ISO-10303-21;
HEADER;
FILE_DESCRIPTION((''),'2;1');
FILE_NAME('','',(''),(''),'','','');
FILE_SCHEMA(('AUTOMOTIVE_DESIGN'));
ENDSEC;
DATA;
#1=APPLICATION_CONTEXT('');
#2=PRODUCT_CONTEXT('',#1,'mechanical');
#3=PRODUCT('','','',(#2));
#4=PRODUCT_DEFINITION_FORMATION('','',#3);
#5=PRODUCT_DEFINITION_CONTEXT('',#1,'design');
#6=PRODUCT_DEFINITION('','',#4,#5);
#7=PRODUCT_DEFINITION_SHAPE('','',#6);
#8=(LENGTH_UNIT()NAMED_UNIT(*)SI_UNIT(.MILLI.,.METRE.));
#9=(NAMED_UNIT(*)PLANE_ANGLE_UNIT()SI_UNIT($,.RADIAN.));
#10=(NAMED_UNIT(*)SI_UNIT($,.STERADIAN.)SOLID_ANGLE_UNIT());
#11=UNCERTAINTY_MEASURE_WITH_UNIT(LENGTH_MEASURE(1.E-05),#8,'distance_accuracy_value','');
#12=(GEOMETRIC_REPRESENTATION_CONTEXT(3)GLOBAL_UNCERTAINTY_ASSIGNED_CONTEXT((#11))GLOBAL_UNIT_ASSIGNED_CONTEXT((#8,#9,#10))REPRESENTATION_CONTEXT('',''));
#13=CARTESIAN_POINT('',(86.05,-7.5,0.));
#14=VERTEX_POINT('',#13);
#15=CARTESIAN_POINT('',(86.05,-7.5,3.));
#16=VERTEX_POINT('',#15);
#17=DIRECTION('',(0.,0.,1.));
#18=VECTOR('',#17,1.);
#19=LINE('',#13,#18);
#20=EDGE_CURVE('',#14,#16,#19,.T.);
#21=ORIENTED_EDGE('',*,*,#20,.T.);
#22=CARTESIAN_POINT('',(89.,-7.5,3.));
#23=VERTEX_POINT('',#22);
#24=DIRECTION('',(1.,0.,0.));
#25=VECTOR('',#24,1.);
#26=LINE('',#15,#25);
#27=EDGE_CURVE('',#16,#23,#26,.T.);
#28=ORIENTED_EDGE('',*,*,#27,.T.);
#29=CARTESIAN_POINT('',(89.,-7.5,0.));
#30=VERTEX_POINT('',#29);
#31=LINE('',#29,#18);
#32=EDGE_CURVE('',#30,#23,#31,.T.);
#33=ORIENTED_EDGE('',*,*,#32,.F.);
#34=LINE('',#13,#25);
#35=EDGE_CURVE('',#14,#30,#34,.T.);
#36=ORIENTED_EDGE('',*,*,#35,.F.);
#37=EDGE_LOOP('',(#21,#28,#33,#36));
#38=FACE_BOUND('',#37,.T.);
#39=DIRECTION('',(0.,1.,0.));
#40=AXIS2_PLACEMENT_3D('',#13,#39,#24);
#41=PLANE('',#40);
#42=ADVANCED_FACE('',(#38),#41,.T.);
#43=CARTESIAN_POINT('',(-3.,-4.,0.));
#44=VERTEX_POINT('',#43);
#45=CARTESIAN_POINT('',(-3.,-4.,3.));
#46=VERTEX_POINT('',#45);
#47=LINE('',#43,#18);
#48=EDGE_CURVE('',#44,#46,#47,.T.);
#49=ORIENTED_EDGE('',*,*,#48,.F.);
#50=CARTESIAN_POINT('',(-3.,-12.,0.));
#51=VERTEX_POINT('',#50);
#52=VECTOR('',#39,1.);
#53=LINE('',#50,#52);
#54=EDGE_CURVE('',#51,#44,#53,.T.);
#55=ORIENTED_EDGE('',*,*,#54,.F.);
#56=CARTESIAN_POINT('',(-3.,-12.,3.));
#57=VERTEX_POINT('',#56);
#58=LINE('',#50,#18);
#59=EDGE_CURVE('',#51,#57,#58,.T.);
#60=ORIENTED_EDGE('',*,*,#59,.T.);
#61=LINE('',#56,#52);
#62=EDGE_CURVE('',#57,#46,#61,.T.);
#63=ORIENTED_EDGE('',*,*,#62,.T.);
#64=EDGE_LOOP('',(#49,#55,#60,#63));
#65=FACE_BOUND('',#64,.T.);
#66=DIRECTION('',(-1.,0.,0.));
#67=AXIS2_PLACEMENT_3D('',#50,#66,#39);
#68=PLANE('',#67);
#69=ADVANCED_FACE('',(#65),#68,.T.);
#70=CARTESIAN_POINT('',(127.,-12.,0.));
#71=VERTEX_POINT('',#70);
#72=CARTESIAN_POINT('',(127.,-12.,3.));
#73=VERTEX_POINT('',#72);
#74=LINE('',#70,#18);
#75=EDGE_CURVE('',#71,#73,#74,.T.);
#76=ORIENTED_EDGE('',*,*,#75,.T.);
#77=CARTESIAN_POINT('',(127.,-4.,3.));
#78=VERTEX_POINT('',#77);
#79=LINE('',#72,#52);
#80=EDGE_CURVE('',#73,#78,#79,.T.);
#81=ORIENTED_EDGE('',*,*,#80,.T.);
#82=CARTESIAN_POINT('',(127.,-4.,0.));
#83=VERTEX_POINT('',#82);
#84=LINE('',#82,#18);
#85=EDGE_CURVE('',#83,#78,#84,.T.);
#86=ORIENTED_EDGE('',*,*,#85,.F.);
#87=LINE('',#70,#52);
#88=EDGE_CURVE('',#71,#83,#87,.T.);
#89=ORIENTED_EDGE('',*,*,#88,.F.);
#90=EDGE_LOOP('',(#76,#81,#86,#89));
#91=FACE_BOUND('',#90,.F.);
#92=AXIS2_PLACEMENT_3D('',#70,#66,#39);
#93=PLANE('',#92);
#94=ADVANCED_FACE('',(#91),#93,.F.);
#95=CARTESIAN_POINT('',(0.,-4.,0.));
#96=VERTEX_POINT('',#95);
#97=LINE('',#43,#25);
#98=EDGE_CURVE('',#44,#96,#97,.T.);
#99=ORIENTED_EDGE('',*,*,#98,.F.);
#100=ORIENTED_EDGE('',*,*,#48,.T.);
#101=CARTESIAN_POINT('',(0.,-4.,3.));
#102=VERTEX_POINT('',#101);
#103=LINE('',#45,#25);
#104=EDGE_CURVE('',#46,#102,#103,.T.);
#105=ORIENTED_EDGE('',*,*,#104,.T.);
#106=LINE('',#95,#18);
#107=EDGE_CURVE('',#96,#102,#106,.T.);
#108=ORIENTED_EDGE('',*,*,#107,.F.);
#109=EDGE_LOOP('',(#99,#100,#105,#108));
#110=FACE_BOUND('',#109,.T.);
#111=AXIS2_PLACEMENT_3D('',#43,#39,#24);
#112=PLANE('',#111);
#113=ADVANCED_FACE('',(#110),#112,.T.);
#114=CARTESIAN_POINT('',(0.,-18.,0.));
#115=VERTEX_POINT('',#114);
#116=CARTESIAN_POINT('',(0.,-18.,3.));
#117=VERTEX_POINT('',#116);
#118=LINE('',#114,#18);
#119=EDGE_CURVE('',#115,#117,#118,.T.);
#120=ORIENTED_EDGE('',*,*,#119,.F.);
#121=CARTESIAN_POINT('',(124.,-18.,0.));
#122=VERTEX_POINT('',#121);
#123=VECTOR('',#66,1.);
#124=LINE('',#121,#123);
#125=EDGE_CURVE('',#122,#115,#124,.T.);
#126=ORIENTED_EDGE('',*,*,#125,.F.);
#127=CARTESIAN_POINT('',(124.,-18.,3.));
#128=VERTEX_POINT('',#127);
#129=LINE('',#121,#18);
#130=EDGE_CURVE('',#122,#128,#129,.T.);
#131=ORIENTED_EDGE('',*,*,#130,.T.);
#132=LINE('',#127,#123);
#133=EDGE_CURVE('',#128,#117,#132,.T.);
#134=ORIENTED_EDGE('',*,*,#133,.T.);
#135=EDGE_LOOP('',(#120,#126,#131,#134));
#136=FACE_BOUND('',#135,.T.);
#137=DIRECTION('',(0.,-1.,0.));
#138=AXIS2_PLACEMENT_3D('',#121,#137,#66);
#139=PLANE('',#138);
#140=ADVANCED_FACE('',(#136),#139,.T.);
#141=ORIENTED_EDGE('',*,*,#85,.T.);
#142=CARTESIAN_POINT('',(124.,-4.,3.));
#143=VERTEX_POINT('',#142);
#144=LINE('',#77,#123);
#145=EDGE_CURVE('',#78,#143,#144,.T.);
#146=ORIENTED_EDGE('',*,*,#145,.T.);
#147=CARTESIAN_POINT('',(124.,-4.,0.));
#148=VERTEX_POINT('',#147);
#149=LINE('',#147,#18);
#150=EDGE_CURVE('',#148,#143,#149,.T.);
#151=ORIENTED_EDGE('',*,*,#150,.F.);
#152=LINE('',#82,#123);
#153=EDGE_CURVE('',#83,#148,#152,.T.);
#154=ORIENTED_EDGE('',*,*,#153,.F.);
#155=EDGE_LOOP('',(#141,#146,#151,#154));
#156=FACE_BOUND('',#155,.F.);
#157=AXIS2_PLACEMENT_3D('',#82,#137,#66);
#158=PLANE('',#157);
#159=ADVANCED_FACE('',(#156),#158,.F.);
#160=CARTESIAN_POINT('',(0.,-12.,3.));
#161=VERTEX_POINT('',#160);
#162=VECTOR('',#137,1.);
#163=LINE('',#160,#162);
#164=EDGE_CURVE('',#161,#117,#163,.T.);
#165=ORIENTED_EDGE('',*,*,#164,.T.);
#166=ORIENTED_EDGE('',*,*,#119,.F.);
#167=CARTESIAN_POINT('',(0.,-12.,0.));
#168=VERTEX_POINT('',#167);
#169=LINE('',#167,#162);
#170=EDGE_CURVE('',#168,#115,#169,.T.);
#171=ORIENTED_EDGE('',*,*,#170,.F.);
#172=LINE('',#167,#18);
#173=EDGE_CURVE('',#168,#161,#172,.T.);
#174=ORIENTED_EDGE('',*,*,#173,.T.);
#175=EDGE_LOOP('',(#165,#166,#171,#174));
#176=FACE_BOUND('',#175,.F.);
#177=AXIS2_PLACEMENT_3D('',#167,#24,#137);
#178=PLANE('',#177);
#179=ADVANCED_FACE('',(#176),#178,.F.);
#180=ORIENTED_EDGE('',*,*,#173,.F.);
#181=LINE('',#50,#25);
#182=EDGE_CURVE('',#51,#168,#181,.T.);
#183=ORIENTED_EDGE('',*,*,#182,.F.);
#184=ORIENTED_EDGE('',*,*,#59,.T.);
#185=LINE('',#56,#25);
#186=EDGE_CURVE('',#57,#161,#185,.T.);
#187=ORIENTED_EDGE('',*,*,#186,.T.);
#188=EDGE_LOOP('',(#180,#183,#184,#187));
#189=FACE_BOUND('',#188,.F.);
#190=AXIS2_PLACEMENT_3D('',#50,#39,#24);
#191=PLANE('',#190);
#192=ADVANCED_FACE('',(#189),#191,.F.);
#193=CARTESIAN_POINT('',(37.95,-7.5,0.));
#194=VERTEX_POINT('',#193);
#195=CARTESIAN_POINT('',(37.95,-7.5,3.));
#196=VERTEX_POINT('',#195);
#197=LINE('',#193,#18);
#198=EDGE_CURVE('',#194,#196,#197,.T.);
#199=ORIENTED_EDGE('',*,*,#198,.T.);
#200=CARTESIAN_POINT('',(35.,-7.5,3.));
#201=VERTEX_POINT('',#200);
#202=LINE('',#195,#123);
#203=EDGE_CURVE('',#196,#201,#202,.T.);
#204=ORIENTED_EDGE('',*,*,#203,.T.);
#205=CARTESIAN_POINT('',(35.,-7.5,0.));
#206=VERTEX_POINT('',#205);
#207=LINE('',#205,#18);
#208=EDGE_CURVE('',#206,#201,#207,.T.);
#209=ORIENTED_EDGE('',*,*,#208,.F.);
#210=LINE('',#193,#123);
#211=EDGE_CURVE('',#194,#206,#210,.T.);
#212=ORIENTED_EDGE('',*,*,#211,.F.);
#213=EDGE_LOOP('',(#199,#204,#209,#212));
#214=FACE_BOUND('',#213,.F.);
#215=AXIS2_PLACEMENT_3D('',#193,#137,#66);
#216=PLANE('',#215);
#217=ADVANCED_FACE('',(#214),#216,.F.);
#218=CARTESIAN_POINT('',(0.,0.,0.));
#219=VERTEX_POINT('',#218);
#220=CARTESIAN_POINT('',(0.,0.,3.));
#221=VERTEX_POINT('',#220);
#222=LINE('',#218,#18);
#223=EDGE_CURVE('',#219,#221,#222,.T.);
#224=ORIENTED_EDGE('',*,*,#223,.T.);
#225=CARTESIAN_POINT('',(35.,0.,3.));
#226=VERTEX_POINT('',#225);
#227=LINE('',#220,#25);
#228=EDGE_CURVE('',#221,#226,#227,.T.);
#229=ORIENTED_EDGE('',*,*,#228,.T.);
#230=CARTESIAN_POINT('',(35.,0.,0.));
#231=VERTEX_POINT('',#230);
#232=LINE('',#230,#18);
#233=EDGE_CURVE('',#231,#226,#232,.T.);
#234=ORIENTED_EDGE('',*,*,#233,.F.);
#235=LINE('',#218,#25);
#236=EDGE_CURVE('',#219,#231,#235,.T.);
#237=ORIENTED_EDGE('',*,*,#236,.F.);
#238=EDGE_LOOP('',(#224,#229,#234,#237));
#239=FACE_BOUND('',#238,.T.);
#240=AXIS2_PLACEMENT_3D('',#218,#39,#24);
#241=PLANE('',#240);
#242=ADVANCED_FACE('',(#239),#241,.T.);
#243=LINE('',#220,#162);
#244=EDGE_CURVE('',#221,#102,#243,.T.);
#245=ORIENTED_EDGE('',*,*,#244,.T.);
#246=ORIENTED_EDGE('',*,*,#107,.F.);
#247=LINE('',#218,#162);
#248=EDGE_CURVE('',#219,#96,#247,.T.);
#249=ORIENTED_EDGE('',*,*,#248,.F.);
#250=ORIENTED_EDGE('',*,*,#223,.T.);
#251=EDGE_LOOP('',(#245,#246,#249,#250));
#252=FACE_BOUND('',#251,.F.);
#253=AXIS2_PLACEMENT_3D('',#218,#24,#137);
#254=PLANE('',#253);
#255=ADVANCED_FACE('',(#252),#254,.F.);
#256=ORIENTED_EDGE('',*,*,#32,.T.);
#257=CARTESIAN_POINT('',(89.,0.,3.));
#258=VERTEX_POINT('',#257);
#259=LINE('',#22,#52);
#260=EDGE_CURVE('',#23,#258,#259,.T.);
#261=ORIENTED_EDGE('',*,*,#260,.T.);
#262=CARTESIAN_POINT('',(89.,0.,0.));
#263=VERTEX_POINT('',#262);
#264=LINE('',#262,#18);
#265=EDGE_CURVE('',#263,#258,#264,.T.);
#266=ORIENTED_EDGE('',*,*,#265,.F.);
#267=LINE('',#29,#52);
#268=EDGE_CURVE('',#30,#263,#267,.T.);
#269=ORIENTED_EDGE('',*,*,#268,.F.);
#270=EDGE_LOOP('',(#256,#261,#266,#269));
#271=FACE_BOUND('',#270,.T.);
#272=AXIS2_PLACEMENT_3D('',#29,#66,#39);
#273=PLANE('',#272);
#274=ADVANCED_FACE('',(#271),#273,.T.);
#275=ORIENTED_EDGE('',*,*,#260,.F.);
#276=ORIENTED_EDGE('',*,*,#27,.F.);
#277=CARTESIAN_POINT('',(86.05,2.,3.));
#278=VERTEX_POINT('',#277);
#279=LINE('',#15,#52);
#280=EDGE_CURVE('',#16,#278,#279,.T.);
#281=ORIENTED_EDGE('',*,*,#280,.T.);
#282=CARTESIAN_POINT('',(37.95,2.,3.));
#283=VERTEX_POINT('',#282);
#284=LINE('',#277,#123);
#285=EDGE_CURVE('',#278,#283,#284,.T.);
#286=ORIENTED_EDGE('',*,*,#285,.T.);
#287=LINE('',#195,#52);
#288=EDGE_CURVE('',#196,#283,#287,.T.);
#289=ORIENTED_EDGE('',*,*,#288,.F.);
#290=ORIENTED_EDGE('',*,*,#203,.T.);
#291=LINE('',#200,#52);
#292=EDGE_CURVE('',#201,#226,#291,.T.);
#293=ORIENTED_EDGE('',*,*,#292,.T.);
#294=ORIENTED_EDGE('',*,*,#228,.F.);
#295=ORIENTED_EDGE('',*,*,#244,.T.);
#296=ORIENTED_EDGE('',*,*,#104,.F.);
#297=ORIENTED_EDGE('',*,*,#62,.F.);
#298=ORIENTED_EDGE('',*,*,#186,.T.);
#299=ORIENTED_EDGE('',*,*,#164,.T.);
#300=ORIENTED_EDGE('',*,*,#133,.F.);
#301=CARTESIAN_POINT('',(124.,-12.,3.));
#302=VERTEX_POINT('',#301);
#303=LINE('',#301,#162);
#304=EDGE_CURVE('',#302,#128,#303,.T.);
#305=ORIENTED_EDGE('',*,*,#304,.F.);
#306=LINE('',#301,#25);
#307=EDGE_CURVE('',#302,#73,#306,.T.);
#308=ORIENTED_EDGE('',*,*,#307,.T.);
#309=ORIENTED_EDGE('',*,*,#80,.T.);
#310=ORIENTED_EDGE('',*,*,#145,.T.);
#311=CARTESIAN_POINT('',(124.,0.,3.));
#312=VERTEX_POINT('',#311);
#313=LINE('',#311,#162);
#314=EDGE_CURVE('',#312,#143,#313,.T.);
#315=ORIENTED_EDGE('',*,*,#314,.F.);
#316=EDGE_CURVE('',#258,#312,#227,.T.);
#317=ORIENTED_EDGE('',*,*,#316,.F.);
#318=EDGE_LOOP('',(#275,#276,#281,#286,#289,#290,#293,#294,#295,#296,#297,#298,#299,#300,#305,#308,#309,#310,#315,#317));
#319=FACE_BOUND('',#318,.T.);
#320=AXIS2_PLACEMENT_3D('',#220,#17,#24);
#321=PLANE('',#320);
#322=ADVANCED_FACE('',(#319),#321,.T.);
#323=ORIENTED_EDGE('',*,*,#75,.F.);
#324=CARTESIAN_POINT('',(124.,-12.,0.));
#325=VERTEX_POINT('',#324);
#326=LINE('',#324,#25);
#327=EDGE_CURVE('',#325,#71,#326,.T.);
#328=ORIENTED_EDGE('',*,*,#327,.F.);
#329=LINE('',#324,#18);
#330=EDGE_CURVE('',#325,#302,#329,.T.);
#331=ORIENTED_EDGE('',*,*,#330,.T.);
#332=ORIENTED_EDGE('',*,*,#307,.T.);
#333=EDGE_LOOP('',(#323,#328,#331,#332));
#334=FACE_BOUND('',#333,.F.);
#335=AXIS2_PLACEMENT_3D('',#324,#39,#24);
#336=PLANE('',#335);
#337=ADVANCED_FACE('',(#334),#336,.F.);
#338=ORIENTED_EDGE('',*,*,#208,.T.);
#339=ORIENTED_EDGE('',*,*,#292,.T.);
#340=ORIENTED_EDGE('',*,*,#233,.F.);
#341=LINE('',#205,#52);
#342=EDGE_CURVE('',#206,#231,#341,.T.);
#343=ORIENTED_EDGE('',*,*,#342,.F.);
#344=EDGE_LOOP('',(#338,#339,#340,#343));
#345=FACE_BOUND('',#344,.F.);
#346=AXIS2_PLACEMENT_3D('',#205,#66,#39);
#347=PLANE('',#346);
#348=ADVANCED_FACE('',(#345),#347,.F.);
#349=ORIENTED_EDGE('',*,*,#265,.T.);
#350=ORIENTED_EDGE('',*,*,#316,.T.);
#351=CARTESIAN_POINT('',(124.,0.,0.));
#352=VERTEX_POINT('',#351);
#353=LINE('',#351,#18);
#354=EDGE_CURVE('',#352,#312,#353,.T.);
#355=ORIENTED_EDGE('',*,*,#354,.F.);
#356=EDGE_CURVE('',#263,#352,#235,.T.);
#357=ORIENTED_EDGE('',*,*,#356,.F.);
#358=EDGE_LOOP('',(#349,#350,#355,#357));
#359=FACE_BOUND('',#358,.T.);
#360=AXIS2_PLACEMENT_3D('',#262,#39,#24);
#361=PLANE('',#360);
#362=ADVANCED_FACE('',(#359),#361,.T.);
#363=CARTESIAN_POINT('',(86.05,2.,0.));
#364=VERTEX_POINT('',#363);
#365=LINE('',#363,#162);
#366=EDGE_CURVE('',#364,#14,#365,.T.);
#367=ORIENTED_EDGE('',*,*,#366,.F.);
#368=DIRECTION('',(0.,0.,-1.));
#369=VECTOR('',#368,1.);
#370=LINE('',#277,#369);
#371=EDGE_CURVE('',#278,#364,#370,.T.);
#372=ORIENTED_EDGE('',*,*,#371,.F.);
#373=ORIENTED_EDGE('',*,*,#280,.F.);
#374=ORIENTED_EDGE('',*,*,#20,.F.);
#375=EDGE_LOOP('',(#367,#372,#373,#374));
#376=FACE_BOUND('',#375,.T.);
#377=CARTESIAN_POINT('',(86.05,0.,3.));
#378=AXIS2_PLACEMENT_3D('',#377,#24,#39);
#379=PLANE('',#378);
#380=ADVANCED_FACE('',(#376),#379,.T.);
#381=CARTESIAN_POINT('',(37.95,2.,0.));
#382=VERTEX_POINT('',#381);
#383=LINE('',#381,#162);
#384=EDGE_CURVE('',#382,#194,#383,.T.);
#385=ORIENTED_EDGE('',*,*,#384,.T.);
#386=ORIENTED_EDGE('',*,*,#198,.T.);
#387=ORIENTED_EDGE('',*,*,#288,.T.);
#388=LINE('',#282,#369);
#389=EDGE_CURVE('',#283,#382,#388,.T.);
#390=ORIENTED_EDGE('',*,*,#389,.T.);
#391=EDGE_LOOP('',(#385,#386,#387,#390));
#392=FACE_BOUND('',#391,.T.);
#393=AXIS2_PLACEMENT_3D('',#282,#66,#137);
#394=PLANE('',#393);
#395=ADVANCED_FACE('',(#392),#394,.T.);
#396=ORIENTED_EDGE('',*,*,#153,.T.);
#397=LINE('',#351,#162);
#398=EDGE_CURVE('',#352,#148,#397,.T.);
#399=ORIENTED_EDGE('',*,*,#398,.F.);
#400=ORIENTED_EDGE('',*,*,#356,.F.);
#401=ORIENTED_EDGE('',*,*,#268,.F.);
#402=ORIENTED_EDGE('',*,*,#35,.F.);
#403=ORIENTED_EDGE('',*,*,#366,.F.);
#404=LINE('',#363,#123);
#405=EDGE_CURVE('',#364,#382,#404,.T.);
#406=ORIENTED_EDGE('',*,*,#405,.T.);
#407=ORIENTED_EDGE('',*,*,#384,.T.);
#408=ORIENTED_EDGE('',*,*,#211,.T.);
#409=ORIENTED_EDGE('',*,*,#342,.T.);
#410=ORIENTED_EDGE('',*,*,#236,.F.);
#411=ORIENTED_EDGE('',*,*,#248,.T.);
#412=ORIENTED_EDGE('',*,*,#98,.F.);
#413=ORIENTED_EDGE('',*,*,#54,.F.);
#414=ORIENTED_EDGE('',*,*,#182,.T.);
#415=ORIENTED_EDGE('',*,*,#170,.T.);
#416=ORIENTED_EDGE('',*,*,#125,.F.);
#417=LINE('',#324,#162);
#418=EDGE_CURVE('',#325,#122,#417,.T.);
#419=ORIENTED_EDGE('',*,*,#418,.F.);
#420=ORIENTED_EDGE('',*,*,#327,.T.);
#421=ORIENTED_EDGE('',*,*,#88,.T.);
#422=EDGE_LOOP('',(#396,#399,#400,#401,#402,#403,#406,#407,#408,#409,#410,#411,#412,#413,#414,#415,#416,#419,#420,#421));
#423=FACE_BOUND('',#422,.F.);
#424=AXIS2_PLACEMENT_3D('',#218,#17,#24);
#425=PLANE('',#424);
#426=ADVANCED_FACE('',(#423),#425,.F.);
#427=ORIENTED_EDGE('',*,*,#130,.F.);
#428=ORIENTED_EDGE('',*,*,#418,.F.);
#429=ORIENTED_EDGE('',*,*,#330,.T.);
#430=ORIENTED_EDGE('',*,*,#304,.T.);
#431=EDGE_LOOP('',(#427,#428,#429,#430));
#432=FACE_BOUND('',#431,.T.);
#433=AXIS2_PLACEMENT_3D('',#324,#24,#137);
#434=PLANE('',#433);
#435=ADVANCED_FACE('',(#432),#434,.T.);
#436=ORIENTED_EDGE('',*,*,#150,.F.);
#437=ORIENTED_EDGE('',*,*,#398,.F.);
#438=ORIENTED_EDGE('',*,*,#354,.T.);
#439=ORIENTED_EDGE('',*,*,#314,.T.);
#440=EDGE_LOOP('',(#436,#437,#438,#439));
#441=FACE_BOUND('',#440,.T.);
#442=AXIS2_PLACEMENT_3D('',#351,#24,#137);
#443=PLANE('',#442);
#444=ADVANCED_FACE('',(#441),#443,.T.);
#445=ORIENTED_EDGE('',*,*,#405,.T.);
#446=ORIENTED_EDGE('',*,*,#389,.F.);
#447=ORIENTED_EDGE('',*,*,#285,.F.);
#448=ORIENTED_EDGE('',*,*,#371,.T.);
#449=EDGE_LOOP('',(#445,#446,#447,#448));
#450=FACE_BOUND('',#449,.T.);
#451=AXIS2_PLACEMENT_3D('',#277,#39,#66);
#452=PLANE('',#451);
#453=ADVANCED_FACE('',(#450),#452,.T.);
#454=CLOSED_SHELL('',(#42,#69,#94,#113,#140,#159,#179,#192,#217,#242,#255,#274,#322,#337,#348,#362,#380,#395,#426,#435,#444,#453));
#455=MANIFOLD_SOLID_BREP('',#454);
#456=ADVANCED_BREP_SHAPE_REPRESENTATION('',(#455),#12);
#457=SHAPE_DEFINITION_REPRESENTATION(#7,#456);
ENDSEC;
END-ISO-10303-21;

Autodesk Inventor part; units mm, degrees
ref_plane "YZ Plane" through (0, 0, 0) normal (1, 0, 0) x (0, 1, 0)
ref_plane "XZ Plane" through (0, 0, 0) normal (0, 1, 0) x (-1, 0, 0)
ref_plane "XY Plane" through (0, 0, 0) normal (0, 0, 1) x (1, 0, 0)
sketch "草圖1" plane through (0, 0, 0) normal (0, 0, 1) x (1, 0, 0)
  line L0 (0, 0) -> (124, 0)
  line L1 (124, 0) -> (124, -18) construction
  line L2 (124, -18) -> (0, -18)
  line L3 (0, -18) -> (0, 0) construction
  line L4 (35, 0) -> (37.95, 0)
  line L5 (37.95, 0) -> (37.95, -7.5)
  line L6 (37.95, -7.5) -> (35, -7.5)
  line L7 (35, -7.5) -> (35, 0)
  line L8 (89, 0) -> (86.05, 0)
  line L9 (86.05, 0) -> (86.05, -7.5)
  line L10 (86.05, -7.5) -> (89, -7.5)
  line L11 (89, -7.5) -> (89, 0)
  line L12 (0, -18) -> (0, 0) construction
  line L13 (-3, -12) -> (0, -12)
  line L14 (0, -12) -> (0, -18)
  line L15 (124, -12) -> (124, -18)
  line L16 (-3, -12) -> (-3, -4)
  line L17 (-3, -4) -> (0, -4)
  line L18 (0, 0) -> (0, -4)
  line L19 (124, -12) -> (127, -12)
  line L20 (127, -12) -> (127, -4)
  line L21 (127, -4) -> (124, -4)
  line L22 (124, -4) -> (124, -12)
  line L23 (124, 0) -> (124, -4)
  point P0 (0, -15.5)
  dimension "d0" = 124
  dimension "d1" = 35
  dimension "d3" = 2.95
  dimension "d4" = 2.95
  dimension "d10" = 10.5
  dimension "d16" = 7.5
  dimension "d17" = 35
  dimension "d29" = 8
  dimension "d30" = 4
  dimension "d31" = 3
  dimension "d32" = 3
  dimension "d33" = 4
  dimension "d34" = 8
extrude "擠出1" add sketch "草圖1" along normal blind 3 contours L0 L7 L6 L5 L9 L10 L11 L23 L22 L15 L2 L14 L13 L16 L17 L18 | L21 L20 L19 L22
sketch "草圖2" plane through (0, 0, 3) normal (0, 0, 1) x (1, 0, 0)
  line L0 (37.95, 0) -> (86.05, 0)
  line L1 (86.05, 0) -> (86.05, 2)
  line L2 (86.05, 2) -> (37.95, 2)
  line L3 (37.95, 2) -> (37.95, 0)
  line L4 (86.05, -7.5) -> (86.05, 0) projected
  point P0 (0, 0)
  dimension "d26" = 2
extrude "擠出2" add sketch "草圖2" against normal up to surface (3 mm away)
sketch "草圖3" plane through (0, 0, 3) normal (0, 0, 1) x (1, 0, 0)
  line L0 (124, 0) -> (89, 0) projected
  line L1 (89, 0) -> (89, -7.5) projected
  line L2 (89, -7.5) -> (86.05, -7.5) projected
  line L3 (86.05, -7.5) -> (86.05, 2) projected
  line L4 (37.95, -7.5) -> (35, -7.5) projected
  line L5 (35, -7.5) -> (35, 0) projected
  line L6 (35, 0) -> (0, 0) projected
  line L7 (0, -4) -> (-3, -4) projected
  line L8 (-3, -4) -> (-3, -12) projected
  line L9 (-3, -12) -> (0, -12) projected
  line L10 (0, -12) -> (0, -18) projected
  line L11 (0, -18) -> (124, -18) projected
  line L12 (124, -18) -> (124, -12) projected
  line L13 (124, -12) -> (127, -12) projected
  line L14 (127, -12) -> (127, -4) projected
  line L15 (127, -4) -> (124, -4) projected
  line L16 (124, -4) -> (124, 0) projected
  line L17 (86.05, 2) -> (37.95, 2) projected
  line L18 (37.95, 2) -> (37.95, -7.5) projected
  line L19 (0, 0) -> (0, -4) projected
properties part number "chassis_1_6"
